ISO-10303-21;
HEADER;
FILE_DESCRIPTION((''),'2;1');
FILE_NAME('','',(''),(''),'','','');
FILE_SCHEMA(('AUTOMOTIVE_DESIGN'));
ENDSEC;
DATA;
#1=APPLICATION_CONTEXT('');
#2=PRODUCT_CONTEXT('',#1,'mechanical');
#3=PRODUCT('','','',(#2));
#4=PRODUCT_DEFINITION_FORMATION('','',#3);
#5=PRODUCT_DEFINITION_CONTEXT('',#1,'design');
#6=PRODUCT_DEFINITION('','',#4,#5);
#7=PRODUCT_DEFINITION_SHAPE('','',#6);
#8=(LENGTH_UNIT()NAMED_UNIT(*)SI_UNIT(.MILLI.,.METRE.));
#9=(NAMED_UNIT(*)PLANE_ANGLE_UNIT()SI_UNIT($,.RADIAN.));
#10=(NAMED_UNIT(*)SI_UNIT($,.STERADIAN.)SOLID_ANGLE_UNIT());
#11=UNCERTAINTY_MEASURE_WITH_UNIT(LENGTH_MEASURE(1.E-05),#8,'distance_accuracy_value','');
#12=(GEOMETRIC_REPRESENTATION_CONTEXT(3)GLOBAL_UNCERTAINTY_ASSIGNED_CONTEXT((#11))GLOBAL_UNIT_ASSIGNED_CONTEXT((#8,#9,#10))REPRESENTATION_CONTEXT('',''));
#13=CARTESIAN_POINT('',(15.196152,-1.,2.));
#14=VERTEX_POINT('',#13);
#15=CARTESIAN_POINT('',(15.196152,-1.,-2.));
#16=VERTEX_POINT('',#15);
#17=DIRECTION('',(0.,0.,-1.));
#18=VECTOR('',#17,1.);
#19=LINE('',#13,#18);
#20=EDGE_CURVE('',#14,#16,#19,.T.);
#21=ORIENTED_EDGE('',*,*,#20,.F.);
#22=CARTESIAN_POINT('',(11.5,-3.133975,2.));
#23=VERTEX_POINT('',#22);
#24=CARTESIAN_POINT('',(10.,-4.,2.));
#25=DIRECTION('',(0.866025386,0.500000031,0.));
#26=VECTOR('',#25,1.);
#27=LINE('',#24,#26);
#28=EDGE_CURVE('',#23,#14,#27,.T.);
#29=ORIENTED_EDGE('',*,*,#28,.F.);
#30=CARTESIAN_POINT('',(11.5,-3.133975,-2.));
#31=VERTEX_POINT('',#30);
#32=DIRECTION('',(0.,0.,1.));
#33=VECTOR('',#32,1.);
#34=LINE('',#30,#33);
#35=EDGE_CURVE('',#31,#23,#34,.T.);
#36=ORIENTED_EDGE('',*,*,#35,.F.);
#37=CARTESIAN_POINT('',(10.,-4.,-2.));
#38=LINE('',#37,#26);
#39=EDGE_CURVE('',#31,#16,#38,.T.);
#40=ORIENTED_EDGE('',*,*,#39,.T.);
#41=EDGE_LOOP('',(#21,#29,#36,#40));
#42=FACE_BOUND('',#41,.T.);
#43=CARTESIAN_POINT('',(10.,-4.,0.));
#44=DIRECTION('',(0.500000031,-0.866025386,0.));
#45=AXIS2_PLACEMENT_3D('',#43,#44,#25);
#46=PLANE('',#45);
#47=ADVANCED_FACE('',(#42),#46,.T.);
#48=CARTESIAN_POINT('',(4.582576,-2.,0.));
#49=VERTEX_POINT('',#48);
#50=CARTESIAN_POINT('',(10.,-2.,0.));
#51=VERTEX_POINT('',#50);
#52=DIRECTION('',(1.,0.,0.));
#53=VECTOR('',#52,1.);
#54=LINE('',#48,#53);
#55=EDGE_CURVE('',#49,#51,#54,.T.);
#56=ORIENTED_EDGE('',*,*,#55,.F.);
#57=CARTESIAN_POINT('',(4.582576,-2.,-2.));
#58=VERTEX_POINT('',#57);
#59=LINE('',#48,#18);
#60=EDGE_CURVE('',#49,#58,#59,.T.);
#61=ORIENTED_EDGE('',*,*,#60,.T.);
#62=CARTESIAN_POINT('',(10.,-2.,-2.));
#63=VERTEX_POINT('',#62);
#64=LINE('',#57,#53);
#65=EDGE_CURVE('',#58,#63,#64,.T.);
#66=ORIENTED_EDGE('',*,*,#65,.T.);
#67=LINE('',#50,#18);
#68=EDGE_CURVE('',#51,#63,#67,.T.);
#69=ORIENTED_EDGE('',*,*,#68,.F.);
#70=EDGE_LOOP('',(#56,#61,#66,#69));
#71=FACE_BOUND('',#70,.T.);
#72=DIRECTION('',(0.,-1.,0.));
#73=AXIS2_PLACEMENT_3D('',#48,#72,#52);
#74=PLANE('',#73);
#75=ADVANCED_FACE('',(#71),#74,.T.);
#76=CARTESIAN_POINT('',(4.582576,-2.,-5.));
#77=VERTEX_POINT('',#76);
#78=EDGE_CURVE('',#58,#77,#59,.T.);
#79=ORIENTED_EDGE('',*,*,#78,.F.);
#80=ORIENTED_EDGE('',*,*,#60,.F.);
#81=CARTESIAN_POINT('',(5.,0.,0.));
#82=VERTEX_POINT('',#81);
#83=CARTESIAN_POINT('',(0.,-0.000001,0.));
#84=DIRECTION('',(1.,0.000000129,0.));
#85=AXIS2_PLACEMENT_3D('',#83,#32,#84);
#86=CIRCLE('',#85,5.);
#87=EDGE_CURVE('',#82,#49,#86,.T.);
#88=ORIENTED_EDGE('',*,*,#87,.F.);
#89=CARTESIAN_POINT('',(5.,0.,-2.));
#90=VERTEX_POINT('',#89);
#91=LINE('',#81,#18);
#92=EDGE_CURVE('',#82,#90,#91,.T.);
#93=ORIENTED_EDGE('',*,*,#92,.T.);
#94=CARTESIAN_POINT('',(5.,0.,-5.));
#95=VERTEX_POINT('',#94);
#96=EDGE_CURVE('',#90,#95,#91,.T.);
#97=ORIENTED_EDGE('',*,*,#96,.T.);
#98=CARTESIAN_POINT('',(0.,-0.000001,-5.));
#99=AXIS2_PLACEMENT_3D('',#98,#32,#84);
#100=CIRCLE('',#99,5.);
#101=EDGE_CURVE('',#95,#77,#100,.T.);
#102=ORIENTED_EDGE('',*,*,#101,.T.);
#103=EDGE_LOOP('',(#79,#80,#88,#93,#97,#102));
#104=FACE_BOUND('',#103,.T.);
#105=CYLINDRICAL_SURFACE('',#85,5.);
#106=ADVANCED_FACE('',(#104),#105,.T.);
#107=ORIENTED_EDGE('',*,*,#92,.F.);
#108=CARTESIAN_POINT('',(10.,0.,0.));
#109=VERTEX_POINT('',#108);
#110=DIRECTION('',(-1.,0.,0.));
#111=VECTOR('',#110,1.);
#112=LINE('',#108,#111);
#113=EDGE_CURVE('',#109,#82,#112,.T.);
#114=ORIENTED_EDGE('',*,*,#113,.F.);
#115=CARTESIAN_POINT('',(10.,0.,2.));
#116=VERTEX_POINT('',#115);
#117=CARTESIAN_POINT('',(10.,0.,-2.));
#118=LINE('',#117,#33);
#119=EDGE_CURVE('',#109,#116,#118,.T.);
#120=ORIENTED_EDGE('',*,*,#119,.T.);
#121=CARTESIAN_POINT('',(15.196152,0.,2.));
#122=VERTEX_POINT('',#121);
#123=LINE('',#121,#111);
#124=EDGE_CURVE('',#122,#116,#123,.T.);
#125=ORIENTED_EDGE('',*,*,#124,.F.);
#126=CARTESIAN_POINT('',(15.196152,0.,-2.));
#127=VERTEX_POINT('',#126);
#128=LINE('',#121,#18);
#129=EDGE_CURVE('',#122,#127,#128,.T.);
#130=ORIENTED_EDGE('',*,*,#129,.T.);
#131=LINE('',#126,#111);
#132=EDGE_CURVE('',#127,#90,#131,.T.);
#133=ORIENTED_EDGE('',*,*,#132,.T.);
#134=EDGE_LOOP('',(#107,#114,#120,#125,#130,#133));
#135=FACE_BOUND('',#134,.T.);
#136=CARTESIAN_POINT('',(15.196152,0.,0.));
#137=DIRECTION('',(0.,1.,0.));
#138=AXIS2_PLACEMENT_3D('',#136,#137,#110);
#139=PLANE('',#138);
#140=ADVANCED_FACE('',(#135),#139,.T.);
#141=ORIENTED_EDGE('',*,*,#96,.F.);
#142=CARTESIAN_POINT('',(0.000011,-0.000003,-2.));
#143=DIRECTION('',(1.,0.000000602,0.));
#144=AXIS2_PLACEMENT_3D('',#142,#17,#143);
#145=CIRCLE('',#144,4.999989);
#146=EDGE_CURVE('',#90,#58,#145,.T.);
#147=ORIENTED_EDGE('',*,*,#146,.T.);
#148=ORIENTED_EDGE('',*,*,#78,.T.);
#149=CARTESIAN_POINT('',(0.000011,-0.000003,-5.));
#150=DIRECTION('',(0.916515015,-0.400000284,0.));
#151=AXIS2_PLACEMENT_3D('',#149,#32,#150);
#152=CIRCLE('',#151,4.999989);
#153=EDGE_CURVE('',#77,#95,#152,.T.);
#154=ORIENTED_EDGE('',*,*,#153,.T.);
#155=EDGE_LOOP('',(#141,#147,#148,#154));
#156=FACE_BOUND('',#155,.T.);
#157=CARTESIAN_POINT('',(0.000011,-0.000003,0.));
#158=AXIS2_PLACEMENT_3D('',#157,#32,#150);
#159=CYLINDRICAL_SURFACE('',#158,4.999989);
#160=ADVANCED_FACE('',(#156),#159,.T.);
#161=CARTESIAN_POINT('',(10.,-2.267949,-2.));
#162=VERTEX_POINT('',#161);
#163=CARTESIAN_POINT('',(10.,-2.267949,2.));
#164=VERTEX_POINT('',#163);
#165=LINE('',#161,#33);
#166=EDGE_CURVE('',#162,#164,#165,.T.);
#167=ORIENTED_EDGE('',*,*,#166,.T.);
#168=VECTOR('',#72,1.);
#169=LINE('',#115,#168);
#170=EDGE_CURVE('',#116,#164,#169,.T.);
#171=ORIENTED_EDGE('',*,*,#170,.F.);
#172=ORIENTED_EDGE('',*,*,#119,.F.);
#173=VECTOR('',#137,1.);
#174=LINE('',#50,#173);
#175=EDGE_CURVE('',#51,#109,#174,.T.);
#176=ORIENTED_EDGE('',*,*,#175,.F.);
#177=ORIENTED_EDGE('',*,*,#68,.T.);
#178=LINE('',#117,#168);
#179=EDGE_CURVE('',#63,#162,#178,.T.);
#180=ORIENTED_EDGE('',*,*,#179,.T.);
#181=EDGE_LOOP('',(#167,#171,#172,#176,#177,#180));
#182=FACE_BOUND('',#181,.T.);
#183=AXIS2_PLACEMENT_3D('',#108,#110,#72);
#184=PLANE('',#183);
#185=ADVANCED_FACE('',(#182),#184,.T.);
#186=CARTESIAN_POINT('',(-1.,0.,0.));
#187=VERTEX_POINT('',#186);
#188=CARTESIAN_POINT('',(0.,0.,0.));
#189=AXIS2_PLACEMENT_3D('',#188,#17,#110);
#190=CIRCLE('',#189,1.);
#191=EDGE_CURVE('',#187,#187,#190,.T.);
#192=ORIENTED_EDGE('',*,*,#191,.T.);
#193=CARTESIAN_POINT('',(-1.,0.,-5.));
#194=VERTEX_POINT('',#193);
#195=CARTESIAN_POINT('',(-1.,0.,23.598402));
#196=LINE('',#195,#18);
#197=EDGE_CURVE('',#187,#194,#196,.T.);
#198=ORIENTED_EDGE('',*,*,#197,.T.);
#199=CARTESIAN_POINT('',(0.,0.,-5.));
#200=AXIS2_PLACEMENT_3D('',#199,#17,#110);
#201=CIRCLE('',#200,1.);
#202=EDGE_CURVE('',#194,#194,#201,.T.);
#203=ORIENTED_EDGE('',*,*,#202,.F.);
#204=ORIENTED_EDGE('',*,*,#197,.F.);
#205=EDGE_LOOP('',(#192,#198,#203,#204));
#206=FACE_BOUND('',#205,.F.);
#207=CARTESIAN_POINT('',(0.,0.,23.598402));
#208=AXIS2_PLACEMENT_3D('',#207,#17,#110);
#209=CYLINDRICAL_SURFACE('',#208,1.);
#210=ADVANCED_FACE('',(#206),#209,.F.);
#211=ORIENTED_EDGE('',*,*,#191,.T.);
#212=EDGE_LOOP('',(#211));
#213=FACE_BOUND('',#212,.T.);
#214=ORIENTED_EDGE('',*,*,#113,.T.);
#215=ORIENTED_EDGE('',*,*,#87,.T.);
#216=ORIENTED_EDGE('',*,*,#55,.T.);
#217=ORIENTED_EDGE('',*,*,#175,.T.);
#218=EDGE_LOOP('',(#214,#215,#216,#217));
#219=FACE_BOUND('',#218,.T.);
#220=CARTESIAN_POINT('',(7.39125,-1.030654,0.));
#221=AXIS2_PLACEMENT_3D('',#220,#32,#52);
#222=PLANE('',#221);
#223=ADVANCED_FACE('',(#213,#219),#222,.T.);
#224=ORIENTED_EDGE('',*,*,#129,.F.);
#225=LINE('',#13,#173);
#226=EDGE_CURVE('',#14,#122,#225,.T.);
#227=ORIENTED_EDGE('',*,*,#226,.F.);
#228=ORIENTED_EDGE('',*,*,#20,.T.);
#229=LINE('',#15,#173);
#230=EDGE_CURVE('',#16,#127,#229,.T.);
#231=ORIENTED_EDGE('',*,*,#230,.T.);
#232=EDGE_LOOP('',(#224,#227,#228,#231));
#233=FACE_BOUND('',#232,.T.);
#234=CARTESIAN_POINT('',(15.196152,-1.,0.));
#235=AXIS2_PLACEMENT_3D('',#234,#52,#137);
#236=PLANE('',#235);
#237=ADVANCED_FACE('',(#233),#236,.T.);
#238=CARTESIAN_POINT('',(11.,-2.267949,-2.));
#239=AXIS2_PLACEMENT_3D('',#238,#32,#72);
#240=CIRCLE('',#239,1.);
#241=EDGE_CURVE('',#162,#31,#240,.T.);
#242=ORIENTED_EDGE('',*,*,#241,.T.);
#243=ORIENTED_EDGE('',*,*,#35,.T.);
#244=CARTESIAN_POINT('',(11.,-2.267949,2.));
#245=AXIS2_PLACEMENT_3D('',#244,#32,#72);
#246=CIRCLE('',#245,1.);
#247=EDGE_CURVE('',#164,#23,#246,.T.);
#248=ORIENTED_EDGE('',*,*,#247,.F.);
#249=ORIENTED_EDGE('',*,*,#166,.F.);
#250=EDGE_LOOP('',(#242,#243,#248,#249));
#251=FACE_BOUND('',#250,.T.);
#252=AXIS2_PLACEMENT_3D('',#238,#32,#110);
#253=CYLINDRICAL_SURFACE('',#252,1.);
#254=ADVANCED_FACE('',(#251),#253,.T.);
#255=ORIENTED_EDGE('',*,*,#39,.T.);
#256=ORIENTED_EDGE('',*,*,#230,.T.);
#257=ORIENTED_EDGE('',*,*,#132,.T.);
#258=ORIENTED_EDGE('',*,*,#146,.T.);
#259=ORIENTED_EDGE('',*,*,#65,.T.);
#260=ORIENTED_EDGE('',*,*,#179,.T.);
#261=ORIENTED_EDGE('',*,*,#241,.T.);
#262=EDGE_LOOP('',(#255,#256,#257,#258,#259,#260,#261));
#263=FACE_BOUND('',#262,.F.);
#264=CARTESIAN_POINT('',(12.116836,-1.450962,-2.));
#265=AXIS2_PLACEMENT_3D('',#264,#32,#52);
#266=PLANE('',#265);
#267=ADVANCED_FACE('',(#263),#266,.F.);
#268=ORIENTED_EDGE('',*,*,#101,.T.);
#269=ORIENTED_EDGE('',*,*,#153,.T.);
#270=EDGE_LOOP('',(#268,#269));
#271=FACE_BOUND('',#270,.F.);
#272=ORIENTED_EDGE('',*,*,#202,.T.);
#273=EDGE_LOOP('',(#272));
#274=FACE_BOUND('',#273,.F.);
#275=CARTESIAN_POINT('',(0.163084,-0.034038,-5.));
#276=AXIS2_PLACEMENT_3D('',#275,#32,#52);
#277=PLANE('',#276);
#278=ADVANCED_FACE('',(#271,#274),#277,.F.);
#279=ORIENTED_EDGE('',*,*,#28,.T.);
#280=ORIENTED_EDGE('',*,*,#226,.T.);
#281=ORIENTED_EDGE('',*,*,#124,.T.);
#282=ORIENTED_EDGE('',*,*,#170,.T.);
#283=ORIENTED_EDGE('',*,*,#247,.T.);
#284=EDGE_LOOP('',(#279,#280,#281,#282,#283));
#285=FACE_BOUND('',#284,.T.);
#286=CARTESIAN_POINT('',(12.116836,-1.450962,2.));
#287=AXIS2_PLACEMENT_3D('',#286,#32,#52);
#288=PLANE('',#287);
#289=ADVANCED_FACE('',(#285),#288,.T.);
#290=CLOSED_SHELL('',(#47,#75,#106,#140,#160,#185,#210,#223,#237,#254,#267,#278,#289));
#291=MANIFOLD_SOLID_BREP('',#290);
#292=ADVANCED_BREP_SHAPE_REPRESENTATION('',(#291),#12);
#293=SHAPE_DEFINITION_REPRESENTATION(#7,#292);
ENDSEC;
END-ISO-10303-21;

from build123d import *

# Parameters (mm, degrees)
F1_DEPTH = 5
F2_DEPTH = 2
F3_DEPTH = 2
F4_D     = 2
F5_R     = 1


with BuildPart() as f1:
    # F0 (on Top) → F1 (new body)
    with BuildSketch(Plane.XY):
        with BuildLine():
            ThreePointArc((4.582576, -2), (4.894532, -1.021548), (5, 0))
            ThreePointArc((5, 0), (-4.894532, 1.021548), (4.582576, -2))
        make_face()
    extrude(amount=-F1_DEPTH)

    # F0 (on Top) → F2 (join)
    with BuildSketch(Plane.XY):
        with BuildLine():
            Line((10, 0), (5, 0))
            ThreePointArc((5, 0), (4.894532, -1.021548), (4.582576, -2))
            Line((4.582576, -2), (10, -2))
            Line((10, -2), (10, 0))
        make_face()
    extrude(amount=-F2_DEPTH)

    # F0 (on Top) → F3 (join, symmetric)
    with BuildSketch(Plane.XY):
        Polygon((15.196152, 0), (10, 0), (10, -2), (10, -4), (15.196152, -1), align=None)
    extrude(amount=F3_DEPTH, both=True)

    # F4 (through all)
    with Locations(Plane.XY):
        with Locations((0, 0)):
            Hole(F4_D / 2)

    # F5
    f5_edges = [f1.edges().sort_by_distance(p)[0] for p in [
        (10, -4, 0),
    ]]
    fillet(f5_edges, radius=F5_R)


solid = f1.part
